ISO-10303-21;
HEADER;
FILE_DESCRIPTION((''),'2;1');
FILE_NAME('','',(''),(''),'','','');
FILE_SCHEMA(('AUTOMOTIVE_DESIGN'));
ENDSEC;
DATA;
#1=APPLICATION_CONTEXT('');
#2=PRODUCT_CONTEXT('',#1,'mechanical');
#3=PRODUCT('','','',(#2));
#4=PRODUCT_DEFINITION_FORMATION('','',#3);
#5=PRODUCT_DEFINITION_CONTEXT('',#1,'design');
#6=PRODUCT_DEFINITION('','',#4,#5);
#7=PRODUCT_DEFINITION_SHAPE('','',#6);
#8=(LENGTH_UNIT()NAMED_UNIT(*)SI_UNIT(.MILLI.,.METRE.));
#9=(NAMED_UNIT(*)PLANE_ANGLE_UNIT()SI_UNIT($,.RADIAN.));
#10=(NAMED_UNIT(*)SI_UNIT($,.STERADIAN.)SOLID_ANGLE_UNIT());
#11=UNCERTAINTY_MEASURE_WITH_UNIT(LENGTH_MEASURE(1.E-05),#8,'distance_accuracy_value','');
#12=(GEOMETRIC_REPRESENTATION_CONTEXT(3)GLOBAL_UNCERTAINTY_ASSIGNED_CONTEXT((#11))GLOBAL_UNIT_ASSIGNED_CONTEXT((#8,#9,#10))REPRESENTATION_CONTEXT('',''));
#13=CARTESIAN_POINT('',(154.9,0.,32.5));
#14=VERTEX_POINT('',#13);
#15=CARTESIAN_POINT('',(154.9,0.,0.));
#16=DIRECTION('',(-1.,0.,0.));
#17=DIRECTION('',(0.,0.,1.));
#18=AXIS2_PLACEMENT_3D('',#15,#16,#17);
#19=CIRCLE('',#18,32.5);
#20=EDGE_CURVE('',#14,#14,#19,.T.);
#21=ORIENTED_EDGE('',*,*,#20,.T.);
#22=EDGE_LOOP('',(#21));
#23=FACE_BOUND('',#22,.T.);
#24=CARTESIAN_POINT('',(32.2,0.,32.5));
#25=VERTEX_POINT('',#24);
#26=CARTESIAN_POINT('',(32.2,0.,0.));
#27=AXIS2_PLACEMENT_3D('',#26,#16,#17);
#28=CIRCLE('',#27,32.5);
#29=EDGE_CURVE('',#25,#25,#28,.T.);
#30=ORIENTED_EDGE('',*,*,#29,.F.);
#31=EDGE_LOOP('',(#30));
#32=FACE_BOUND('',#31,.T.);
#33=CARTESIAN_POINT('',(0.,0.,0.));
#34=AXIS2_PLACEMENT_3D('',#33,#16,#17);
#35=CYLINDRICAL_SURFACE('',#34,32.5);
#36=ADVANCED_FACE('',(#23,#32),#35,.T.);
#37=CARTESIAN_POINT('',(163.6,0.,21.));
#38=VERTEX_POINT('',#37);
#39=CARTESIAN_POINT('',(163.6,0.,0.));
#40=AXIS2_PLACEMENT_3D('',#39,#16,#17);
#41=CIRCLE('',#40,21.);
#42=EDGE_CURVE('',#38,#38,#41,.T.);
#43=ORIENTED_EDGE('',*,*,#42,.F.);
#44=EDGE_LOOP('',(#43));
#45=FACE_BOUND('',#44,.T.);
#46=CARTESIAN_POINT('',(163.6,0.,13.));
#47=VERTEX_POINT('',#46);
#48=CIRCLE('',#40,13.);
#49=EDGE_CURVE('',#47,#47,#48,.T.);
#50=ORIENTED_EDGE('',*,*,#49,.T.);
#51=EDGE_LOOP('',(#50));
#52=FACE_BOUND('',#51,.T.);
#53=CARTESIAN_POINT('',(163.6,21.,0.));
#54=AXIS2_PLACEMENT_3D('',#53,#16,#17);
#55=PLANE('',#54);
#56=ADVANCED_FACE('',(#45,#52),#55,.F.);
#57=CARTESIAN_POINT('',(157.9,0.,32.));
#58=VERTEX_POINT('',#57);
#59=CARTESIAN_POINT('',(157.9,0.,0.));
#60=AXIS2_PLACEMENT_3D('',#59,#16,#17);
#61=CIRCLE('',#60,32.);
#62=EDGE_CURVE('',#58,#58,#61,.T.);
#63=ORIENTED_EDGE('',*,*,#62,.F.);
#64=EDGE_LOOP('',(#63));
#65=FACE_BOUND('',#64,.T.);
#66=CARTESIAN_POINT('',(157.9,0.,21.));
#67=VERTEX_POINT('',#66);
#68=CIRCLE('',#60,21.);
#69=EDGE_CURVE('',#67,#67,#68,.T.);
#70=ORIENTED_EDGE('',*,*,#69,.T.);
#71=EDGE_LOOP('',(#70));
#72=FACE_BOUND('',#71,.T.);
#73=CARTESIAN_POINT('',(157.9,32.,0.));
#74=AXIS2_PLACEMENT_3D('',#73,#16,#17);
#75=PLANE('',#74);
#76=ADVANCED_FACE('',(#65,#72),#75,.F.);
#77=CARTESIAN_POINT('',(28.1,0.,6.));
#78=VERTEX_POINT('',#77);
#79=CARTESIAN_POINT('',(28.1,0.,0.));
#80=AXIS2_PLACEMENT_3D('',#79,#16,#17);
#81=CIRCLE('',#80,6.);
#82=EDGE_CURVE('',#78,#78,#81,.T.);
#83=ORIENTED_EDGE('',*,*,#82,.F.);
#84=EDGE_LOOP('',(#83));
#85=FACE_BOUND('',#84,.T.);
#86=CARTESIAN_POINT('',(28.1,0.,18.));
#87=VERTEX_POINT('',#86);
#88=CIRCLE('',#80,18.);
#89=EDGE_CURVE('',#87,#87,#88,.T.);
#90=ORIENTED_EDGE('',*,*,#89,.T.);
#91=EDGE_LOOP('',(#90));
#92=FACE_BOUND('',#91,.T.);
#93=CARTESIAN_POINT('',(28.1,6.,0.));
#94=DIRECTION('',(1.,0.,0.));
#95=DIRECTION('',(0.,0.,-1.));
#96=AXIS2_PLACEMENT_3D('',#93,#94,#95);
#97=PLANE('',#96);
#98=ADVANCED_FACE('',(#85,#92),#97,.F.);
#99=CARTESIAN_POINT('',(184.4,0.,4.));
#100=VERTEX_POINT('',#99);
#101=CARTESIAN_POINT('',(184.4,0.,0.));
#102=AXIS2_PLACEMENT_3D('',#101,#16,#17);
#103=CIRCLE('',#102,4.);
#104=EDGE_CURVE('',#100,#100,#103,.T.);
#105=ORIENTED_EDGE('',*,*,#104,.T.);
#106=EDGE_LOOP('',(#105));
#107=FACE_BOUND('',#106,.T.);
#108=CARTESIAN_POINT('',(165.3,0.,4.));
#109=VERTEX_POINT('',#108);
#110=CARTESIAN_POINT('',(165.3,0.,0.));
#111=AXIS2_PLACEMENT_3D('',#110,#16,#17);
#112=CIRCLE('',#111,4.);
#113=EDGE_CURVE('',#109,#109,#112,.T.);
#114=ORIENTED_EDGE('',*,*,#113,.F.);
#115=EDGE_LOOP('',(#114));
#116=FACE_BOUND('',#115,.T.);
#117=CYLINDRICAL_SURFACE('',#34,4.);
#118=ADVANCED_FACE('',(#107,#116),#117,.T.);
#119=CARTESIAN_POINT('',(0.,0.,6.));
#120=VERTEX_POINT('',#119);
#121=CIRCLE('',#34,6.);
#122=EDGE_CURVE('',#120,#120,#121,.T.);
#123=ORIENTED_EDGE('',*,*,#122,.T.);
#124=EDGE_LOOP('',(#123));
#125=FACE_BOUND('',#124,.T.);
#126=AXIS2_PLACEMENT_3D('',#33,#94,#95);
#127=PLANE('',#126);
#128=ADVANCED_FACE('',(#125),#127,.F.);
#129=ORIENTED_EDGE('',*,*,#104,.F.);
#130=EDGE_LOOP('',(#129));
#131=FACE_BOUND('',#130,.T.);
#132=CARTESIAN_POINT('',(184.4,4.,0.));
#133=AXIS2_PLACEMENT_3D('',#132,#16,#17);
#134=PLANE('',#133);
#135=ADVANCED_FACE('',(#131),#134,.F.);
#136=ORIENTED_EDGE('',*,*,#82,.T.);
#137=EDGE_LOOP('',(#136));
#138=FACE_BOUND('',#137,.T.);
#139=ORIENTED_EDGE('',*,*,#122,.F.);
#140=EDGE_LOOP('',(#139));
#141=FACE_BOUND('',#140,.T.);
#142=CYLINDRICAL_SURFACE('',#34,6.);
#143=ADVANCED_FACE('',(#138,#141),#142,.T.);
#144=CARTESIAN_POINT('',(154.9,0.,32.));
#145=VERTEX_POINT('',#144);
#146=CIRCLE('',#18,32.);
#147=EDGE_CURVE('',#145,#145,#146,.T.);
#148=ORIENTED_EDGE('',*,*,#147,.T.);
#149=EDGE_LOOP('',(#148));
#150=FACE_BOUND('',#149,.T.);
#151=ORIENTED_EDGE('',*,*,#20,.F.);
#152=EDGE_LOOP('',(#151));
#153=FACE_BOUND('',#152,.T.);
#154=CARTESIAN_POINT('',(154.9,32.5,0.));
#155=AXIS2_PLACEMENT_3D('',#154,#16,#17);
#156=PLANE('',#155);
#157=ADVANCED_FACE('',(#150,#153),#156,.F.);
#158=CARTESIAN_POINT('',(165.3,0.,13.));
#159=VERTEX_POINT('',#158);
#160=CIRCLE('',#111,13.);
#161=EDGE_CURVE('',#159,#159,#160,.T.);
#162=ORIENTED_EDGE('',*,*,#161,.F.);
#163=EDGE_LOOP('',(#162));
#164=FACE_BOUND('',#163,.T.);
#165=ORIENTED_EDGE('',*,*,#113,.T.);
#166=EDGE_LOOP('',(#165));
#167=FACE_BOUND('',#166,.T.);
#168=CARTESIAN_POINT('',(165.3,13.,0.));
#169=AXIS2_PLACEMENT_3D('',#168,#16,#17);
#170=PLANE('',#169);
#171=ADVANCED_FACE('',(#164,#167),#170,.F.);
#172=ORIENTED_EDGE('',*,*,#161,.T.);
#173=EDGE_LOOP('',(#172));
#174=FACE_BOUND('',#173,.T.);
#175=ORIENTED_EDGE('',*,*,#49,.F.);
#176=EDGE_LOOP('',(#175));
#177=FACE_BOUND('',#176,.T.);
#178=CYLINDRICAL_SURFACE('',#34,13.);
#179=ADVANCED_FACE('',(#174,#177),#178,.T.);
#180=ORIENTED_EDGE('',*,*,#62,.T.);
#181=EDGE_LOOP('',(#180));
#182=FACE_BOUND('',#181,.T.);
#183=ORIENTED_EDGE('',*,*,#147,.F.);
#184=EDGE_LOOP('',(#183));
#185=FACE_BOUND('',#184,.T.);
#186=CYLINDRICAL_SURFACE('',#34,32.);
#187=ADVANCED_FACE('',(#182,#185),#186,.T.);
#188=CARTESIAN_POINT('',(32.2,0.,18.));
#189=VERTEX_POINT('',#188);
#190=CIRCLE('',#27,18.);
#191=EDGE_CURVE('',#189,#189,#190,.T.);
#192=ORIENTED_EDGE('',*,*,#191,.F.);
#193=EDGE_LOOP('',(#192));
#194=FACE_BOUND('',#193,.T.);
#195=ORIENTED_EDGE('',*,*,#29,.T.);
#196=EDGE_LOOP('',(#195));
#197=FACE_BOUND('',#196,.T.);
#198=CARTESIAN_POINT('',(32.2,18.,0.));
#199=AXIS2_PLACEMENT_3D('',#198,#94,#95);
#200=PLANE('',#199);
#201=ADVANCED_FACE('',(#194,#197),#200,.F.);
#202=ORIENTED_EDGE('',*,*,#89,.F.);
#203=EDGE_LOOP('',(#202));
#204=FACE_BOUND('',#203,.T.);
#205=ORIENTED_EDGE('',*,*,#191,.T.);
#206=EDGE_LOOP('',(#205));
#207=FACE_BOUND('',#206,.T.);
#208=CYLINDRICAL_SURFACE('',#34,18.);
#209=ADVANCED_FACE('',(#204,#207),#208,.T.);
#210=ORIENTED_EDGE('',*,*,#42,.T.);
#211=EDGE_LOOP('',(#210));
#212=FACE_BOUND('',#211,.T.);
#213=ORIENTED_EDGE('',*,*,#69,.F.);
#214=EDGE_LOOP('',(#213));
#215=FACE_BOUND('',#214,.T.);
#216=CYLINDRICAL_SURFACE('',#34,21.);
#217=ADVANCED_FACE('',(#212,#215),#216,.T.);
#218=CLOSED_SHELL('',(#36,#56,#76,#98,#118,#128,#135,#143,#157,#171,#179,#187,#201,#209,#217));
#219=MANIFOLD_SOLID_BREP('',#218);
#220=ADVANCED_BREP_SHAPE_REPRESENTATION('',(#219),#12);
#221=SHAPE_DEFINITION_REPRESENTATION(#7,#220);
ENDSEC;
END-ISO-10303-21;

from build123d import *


with BuildPart() as part:
    # Esquisse1 → Révolution1 (revolve)
    with BuildSketch(Plane.XY):
        Polygon((0, 0), (0, 6), (28.1, 6), (28.1, 18), (32.2, 18), (32.2, 32.5), (154.9, 32.5), (154.9, 32), (157.9, 32), (157.9, 21), (163.6, 21), (163.6, 13), (165.3, 13), (165.3, 4), (184.4, 4), (184.4, 0), align=None)
    revolve(axis=Axis((0, 0, 0), (1, 0, 0)))


solid = part.part
